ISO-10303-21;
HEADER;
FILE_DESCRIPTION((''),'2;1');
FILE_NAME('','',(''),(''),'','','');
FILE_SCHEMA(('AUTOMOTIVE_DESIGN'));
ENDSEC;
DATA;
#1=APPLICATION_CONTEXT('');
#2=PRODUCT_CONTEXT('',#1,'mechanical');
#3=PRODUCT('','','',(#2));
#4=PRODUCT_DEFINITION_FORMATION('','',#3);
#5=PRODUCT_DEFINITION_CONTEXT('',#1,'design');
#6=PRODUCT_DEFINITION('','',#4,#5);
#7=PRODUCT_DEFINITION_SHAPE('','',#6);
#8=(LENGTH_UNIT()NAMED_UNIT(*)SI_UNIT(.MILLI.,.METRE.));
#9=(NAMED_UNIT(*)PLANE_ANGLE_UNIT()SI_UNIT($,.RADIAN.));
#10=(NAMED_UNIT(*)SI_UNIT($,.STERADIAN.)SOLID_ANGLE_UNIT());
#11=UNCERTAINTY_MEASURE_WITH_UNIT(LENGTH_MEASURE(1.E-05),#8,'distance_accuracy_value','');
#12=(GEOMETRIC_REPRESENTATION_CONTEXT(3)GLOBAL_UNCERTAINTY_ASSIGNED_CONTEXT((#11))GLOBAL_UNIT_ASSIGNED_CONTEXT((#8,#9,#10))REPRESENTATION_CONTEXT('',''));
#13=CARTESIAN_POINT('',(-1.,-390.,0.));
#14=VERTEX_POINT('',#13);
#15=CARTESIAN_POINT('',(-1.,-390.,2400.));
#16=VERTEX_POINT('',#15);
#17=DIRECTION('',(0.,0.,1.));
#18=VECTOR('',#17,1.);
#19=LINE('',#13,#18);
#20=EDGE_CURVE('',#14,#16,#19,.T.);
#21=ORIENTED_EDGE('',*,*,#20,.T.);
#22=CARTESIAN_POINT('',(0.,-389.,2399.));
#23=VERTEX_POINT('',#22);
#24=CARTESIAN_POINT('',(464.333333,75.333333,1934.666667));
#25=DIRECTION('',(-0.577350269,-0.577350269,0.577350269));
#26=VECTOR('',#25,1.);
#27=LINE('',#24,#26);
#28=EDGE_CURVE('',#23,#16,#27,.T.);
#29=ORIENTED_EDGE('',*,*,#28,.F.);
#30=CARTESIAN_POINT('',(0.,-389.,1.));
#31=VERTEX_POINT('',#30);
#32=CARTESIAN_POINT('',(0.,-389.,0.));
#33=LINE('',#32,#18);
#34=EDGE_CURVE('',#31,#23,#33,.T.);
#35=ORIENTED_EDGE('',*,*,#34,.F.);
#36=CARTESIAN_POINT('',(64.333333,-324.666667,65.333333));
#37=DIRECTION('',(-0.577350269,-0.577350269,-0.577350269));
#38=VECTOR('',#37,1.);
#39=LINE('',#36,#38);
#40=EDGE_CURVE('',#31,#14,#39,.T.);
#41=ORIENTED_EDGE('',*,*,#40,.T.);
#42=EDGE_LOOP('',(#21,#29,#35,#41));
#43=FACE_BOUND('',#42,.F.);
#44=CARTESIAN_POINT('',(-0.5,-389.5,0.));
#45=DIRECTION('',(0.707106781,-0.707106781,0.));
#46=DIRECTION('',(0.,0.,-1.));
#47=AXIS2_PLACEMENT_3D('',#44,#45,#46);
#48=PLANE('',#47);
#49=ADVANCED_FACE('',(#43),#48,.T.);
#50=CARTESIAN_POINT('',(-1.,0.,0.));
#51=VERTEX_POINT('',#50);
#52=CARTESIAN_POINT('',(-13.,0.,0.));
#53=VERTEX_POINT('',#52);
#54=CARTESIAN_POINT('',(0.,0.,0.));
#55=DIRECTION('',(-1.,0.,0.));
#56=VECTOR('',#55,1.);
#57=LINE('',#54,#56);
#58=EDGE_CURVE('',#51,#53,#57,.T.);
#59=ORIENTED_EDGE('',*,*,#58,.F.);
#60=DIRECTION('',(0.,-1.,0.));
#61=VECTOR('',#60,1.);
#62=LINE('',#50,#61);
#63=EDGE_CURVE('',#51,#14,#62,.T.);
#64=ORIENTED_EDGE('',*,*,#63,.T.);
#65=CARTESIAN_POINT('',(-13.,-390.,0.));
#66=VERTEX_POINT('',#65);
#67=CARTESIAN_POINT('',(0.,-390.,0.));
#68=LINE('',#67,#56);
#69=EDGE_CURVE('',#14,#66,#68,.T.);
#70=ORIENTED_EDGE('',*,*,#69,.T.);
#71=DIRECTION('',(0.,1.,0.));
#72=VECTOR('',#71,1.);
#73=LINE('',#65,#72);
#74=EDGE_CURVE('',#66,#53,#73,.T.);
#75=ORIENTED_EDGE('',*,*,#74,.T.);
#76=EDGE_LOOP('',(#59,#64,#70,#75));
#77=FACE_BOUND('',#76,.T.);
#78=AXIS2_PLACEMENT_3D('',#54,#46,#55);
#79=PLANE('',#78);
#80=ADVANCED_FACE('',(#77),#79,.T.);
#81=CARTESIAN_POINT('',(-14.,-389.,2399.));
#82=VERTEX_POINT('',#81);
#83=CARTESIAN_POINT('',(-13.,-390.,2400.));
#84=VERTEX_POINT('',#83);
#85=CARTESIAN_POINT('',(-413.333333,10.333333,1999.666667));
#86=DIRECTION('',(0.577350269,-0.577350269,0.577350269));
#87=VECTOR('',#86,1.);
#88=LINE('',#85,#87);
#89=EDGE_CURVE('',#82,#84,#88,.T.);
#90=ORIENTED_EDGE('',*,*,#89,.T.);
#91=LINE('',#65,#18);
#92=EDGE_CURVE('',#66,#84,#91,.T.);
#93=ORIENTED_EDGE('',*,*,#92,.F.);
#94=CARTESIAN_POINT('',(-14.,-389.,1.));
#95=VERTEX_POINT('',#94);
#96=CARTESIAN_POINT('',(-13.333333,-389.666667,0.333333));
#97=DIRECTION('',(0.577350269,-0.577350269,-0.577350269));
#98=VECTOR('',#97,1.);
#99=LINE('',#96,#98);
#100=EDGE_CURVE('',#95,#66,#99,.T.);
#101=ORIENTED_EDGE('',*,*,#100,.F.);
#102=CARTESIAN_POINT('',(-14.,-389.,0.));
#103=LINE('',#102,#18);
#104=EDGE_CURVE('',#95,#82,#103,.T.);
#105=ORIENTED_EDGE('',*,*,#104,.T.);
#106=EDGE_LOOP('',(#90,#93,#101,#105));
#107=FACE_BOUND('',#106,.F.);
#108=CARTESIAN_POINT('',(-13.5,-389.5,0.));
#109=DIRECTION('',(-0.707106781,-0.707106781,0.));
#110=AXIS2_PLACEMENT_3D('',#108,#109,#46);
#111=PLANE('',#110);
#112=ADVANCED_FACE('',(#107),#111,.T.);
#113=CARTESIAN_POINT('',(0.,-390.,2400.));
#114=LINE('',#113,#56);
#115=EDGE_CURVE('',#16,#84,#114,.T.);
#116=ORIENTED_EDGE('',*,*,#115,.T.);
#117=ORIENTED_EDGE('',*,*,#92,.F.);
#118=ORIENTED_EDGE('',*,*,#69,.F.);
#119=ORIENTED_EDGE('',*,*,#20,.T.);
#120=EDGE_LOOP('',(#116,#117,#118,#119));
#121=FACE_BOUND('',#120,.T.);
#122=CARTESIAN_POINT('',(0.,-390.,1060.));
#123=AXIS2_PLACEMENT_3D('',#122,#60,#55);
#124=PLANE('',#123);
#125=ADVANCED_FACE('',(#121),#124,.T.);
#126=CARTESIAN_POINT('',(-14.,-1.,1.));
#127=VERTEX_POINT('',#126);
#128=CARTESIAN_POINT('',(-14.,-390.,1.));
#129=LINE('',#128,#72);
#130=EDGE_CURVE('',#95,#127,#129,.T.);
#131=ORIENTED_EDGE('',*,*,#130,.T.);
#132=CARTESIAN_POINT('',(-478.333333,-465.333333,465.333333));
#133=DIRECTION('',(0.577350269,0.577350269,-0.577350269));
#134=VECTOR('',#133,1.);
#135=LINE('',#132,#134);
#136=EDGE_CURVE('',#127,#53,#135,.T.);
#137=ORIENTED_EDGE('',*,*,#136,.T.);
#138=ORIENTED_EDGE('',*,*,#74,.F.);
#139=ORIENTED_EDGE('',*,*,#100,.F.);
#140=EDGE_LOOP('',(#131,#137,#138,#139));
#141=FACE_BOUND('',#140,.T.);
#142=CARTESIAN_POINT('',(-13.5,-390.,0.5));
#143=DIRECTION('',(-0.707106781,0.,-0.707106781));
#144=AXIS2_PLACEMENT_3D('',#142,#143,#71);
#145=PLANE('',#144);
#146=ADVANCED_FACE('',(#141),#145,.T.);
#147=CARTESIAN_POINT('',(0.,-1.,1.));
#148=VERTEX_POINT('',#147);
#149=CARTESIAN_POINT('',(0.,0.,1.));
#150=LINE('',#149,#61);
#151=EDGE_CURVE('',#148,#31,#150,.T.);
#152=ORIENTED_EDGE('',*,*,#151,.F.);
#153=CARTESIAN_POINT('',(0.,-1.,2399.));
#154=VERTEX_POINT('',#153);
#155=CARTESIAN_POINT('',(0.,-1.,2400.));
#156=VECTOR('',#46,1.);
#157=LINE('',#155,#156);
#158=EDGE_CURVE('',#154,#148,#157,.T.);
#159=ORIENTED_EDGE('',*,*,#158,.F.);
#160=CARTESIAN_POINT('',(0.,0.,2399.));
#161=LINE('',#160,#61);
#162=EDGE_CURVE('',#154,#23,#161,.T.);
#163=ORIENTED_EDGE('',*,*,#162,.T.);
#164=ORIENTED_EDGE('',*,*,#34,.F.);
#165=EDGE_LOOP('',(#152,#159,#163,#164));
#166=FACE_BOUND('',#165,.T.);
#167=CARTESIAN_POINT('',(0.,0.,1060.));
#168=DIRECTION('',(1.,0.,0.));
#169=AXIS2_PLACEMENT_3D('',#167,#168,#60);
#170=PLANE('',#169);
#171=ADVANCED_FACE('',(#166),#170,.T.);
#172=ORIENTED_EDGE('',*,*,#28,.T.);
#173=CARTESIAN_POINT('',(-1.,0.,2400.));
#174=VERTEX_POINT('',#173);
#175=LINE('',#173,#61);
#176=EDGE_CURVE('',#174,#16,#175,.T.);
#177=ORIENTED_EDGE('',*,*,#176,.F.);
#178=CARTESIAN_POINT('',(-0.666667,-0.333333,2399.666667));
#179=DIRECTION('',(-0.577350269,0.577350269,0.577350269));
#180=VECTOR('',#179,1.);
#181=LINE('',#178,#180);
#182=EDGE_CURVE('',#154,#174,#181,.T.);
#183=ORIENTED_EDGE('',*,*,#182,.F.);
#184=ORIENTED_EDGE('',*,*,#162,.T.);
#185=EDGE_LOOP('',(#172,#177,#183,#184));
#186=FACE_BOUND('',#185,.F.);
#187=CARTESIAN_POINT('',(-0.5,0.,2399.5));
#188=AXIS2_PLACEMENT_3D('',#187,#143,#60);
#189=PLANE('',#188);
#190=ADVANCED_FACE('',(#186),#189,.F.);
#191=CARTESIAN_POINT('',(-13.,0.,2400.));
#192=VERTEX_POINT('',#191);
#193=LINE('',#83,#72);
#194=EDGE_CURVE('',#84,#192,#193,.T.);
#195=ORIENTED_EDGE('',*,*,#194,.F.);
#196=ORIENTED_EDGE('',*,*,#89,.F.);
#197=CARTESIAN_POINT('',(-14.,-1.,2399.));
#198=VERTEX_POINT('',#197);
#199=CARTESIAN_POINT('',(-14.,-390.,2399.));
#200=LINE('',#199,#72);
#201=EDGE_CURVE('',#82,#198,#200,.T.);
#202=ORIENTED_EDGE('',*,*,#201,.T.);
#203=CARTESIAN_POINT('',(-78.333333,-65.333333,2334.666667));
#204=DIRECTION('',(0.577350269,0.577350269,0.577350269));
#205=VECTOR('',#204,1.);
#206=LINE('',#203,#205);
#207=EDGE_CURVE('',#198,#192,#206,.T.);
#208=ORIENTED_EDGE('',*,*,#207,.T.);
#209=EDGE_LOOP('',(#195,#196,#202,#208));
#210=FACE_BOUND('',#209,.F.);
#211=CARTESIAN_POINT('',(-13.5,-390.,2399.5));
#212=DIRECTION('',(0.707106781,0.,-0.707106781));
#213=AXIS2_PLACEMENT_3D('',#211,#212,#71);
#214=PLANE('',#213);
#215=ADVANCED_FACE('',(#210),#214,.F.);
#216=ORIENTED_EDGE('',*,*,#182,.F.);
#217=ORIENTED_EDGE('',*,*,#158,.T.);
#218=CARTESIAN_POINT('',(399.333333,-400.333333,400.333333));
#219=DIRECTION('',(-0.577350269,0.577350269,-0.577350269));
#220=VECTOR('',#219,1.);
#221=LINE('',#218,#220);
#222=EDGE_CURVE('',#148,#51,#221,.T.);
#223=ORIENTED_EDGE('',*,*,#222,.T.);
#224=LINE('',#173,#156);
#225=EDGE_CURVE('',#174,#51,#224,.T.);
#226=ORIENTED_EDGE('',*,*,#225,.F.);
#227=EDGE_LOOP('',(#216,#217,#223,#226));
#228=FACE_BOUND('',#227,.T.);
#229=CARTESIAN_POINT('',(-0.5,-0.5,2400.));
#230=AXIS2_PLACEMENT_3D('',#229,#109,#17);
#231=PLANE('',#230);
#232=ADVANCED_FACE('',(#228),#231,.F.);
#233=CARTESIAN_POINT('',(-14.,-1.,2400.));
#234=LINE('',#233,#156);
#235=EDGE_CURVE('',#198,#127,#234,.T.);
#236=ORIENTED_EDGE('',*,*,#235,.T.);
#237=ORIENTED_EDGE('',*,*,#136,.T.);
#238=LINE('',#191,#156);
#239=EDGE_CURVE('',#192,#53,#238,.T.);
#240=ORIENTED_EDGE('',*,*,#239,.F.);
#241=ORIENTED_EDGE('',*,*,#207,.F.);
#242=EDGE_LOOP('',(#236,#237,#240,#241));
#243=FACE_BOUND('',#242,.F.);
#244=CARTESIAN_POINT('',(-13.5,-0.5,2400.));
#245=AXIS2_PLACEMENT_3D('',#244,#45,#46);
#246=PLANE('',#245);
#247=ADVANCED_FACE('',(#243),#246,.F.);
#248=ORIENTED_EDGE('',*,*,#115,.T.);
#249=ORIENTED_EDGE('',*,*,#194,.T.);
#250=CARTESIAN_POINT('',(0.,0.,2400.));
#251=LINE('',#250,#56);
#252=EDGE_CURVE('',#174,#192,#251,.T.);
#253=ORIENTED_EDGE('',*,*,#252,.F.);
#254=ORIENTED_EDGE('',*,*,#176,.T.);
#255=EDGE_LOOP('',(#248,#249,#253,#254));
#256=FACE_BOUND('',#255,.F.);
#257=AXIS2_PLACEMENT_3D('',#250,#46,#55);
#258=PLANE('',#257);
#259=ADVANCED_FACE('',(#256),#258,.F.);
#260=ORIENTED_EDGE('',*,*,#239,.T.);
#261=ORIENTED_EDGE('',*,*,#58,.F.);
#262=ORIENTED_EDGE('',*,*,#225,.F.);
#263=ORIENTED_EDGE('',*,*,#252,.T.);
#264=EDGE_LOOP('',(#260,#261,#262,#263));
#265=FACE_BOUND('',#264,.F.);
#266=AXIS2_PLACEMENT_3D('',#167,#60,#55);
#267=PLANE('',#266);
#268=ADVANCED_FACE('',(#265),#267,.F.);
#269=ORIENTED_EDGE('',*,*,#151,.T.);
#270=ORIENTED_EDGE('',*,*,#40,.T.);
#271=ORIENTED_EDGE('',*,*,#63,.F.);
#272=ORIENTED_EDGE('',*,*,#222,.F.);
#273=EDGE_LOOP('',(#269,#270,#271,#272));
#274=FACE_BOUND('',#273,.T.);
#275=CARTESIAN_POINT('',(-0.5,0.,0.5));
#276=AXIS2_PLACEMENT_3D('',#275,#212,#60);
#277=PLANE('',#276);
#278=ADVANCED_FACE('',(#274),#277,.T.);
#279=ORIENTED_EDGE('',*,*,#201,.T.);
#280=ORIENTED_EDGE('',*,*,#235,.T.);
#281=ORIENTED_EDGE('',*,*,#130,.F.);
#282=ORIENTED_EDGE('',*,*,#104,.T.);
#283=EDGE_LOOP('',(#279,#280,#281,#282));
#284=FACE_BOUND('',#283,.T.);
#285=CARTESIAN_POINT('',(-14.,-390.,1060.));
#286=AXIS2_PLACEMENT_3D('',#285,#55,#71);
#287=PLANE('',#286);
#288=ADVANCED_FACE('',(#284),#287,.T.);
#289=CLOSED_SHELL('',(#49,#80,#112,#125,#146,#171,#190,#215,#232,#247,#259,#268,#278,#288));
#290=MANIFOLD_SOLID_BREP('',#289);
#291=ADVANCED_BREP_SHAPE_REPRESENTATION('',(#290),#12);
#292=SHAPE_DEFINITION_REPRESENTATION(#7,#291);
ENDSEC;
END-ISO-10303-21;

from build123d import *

# Parameters (mm, degrees)
F0_W     = 55.4160475731
F0_H     = 42.9720431566
F1_DEPTH = 14
F2_DEPTH = 1060
F3_DEPTH = 390
F4_DEPTH = 1340
F5_SIZE  = 1


with BuildPart() as f1:
    # F0 (on Right) → F1 (new body)
    with BuildSketch(Plane.YZ):
        with Locations((-27.7080237865, 21.4860215783)):
            Rectangle(F0_W, F0_H)
    extrude(amount=-F1_DEPTH)

    # F2 (add): a face of the model
    f2_faces = [f1.faces().sort_by_distance(p)[0] for p in [
        (-7, -27.7080237865, 0),
    ]]
    extrude(f2_faces, amount=-F2_DEPTH)

    # F3 (add): a face of the model
    f3_faces = [f1.faces().sort_by_distance(p)[0] for p in [
        (-7, 0, 530),
    ]]
    extrude(f3_faces, amount=-F3_DEPTH)

    # F4 (add): a face of the model
    f4_faces = [f1.faces().sort_by_distance(p)[0] for p in [
        (-7, -195, 1060),
    ]]
    extrude(f4_faces, amount=F4_DEPTH)

    # F5
    f5_edges = [f1.edges().sort_by_distance(p)[0] for p in [
        (0, -195, 0),
        (0, 0, 1200),
        (0, -195, 2400),
        (0, -390, 1200),
        (-14, 0, 1200),
        (-14, -195, 2400),
        (-14, -390, 1200),
        (-14, -195, 0),
    ]]
    chamfer(f5_edges, length=F5_SIZE)


solid = f1.part
